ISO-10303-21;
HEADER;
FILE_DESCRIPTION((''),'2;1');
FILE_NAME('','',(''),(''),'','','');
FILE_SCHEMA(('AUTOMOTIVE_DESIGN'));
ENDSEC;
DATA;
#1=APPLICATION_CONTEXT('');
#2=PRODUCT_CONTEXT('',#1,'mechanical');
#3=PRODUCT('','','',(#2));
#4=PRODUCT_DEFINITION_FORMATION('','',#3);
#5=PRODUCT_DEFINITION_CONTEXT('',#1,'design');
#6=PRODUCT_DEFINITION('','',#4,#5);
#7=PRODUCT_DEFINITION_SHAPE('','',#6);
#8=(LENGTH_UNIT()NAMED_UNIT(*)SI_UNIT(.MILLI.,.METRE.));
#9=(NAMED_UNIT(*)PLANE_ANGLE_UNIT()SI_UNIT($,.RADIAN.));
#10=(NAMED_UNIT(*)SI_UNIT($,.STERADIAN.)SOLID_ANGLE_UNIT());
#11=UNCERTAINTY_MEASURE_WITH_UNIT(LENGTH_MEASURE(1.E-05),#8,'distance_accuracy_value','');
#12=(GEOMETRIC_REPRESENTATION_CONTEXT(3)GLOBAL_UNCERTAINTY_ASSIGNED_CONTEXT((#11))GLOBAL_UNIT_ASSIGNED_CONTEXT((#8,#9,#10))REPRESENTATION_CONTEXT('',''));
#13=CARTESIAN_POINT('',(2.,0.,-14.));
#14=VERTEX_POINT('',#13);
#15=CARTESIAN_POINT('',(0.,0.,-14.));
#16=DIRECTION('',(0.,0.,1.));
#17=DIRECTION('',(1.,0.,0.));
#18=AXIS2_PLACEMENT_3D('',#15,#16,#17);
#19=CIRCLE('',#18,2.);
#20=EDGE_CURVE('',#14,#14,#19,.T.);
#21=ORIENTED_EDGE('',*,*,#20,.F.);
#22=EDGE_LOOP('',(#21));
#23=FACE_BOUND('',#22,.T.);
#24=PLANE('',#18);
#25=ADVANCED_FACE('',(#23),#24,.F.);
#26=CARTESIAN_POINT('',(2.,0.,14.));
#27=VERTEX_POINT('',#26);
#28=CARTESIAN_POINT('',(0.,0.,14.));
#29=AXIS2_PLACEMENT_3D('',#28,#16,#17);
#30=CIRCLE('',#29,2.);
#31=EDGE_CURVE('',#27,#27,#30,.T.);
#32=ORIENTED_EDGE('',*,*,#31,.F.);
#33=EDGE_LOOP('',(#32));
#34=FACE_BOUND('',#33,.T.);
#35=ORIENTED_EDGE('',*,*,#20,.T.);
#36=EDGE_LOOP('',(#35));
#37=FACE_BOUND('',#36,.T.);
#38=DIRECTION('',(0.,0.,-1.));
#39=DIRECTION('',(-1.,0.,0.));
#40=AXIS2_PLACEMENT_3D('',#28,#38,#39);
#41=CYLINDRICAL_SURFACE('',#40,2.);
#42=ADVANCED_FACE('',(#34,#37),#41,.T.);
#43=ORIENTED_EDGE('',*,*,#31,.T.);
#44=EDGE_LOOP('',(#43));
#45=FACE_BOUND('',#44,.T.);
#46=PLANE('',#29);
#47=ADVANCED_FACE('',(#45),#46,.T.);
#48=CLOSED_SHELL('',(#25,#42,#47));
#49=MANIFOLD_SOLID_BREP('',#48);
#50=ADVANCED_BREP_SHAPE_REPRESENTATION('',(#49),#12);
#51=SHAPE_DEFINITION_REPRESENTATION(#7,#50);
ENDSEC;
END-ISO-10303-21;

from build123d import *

# Parameters (mm, degrees)
SKETCH1_R           = 2
BOSS_EXTRUDE1_DEPTH = 14


with BuildPart() as part:
    # Sketch1 → Boss-Extrude1 (new body, symmetric)
    with BuildSketch(Plane.XY):
        Circle(SKETCH1_R)
    extrude(amount=BOSS_EXTRUDE1_DEPTH, both=True)


solid = part.part
